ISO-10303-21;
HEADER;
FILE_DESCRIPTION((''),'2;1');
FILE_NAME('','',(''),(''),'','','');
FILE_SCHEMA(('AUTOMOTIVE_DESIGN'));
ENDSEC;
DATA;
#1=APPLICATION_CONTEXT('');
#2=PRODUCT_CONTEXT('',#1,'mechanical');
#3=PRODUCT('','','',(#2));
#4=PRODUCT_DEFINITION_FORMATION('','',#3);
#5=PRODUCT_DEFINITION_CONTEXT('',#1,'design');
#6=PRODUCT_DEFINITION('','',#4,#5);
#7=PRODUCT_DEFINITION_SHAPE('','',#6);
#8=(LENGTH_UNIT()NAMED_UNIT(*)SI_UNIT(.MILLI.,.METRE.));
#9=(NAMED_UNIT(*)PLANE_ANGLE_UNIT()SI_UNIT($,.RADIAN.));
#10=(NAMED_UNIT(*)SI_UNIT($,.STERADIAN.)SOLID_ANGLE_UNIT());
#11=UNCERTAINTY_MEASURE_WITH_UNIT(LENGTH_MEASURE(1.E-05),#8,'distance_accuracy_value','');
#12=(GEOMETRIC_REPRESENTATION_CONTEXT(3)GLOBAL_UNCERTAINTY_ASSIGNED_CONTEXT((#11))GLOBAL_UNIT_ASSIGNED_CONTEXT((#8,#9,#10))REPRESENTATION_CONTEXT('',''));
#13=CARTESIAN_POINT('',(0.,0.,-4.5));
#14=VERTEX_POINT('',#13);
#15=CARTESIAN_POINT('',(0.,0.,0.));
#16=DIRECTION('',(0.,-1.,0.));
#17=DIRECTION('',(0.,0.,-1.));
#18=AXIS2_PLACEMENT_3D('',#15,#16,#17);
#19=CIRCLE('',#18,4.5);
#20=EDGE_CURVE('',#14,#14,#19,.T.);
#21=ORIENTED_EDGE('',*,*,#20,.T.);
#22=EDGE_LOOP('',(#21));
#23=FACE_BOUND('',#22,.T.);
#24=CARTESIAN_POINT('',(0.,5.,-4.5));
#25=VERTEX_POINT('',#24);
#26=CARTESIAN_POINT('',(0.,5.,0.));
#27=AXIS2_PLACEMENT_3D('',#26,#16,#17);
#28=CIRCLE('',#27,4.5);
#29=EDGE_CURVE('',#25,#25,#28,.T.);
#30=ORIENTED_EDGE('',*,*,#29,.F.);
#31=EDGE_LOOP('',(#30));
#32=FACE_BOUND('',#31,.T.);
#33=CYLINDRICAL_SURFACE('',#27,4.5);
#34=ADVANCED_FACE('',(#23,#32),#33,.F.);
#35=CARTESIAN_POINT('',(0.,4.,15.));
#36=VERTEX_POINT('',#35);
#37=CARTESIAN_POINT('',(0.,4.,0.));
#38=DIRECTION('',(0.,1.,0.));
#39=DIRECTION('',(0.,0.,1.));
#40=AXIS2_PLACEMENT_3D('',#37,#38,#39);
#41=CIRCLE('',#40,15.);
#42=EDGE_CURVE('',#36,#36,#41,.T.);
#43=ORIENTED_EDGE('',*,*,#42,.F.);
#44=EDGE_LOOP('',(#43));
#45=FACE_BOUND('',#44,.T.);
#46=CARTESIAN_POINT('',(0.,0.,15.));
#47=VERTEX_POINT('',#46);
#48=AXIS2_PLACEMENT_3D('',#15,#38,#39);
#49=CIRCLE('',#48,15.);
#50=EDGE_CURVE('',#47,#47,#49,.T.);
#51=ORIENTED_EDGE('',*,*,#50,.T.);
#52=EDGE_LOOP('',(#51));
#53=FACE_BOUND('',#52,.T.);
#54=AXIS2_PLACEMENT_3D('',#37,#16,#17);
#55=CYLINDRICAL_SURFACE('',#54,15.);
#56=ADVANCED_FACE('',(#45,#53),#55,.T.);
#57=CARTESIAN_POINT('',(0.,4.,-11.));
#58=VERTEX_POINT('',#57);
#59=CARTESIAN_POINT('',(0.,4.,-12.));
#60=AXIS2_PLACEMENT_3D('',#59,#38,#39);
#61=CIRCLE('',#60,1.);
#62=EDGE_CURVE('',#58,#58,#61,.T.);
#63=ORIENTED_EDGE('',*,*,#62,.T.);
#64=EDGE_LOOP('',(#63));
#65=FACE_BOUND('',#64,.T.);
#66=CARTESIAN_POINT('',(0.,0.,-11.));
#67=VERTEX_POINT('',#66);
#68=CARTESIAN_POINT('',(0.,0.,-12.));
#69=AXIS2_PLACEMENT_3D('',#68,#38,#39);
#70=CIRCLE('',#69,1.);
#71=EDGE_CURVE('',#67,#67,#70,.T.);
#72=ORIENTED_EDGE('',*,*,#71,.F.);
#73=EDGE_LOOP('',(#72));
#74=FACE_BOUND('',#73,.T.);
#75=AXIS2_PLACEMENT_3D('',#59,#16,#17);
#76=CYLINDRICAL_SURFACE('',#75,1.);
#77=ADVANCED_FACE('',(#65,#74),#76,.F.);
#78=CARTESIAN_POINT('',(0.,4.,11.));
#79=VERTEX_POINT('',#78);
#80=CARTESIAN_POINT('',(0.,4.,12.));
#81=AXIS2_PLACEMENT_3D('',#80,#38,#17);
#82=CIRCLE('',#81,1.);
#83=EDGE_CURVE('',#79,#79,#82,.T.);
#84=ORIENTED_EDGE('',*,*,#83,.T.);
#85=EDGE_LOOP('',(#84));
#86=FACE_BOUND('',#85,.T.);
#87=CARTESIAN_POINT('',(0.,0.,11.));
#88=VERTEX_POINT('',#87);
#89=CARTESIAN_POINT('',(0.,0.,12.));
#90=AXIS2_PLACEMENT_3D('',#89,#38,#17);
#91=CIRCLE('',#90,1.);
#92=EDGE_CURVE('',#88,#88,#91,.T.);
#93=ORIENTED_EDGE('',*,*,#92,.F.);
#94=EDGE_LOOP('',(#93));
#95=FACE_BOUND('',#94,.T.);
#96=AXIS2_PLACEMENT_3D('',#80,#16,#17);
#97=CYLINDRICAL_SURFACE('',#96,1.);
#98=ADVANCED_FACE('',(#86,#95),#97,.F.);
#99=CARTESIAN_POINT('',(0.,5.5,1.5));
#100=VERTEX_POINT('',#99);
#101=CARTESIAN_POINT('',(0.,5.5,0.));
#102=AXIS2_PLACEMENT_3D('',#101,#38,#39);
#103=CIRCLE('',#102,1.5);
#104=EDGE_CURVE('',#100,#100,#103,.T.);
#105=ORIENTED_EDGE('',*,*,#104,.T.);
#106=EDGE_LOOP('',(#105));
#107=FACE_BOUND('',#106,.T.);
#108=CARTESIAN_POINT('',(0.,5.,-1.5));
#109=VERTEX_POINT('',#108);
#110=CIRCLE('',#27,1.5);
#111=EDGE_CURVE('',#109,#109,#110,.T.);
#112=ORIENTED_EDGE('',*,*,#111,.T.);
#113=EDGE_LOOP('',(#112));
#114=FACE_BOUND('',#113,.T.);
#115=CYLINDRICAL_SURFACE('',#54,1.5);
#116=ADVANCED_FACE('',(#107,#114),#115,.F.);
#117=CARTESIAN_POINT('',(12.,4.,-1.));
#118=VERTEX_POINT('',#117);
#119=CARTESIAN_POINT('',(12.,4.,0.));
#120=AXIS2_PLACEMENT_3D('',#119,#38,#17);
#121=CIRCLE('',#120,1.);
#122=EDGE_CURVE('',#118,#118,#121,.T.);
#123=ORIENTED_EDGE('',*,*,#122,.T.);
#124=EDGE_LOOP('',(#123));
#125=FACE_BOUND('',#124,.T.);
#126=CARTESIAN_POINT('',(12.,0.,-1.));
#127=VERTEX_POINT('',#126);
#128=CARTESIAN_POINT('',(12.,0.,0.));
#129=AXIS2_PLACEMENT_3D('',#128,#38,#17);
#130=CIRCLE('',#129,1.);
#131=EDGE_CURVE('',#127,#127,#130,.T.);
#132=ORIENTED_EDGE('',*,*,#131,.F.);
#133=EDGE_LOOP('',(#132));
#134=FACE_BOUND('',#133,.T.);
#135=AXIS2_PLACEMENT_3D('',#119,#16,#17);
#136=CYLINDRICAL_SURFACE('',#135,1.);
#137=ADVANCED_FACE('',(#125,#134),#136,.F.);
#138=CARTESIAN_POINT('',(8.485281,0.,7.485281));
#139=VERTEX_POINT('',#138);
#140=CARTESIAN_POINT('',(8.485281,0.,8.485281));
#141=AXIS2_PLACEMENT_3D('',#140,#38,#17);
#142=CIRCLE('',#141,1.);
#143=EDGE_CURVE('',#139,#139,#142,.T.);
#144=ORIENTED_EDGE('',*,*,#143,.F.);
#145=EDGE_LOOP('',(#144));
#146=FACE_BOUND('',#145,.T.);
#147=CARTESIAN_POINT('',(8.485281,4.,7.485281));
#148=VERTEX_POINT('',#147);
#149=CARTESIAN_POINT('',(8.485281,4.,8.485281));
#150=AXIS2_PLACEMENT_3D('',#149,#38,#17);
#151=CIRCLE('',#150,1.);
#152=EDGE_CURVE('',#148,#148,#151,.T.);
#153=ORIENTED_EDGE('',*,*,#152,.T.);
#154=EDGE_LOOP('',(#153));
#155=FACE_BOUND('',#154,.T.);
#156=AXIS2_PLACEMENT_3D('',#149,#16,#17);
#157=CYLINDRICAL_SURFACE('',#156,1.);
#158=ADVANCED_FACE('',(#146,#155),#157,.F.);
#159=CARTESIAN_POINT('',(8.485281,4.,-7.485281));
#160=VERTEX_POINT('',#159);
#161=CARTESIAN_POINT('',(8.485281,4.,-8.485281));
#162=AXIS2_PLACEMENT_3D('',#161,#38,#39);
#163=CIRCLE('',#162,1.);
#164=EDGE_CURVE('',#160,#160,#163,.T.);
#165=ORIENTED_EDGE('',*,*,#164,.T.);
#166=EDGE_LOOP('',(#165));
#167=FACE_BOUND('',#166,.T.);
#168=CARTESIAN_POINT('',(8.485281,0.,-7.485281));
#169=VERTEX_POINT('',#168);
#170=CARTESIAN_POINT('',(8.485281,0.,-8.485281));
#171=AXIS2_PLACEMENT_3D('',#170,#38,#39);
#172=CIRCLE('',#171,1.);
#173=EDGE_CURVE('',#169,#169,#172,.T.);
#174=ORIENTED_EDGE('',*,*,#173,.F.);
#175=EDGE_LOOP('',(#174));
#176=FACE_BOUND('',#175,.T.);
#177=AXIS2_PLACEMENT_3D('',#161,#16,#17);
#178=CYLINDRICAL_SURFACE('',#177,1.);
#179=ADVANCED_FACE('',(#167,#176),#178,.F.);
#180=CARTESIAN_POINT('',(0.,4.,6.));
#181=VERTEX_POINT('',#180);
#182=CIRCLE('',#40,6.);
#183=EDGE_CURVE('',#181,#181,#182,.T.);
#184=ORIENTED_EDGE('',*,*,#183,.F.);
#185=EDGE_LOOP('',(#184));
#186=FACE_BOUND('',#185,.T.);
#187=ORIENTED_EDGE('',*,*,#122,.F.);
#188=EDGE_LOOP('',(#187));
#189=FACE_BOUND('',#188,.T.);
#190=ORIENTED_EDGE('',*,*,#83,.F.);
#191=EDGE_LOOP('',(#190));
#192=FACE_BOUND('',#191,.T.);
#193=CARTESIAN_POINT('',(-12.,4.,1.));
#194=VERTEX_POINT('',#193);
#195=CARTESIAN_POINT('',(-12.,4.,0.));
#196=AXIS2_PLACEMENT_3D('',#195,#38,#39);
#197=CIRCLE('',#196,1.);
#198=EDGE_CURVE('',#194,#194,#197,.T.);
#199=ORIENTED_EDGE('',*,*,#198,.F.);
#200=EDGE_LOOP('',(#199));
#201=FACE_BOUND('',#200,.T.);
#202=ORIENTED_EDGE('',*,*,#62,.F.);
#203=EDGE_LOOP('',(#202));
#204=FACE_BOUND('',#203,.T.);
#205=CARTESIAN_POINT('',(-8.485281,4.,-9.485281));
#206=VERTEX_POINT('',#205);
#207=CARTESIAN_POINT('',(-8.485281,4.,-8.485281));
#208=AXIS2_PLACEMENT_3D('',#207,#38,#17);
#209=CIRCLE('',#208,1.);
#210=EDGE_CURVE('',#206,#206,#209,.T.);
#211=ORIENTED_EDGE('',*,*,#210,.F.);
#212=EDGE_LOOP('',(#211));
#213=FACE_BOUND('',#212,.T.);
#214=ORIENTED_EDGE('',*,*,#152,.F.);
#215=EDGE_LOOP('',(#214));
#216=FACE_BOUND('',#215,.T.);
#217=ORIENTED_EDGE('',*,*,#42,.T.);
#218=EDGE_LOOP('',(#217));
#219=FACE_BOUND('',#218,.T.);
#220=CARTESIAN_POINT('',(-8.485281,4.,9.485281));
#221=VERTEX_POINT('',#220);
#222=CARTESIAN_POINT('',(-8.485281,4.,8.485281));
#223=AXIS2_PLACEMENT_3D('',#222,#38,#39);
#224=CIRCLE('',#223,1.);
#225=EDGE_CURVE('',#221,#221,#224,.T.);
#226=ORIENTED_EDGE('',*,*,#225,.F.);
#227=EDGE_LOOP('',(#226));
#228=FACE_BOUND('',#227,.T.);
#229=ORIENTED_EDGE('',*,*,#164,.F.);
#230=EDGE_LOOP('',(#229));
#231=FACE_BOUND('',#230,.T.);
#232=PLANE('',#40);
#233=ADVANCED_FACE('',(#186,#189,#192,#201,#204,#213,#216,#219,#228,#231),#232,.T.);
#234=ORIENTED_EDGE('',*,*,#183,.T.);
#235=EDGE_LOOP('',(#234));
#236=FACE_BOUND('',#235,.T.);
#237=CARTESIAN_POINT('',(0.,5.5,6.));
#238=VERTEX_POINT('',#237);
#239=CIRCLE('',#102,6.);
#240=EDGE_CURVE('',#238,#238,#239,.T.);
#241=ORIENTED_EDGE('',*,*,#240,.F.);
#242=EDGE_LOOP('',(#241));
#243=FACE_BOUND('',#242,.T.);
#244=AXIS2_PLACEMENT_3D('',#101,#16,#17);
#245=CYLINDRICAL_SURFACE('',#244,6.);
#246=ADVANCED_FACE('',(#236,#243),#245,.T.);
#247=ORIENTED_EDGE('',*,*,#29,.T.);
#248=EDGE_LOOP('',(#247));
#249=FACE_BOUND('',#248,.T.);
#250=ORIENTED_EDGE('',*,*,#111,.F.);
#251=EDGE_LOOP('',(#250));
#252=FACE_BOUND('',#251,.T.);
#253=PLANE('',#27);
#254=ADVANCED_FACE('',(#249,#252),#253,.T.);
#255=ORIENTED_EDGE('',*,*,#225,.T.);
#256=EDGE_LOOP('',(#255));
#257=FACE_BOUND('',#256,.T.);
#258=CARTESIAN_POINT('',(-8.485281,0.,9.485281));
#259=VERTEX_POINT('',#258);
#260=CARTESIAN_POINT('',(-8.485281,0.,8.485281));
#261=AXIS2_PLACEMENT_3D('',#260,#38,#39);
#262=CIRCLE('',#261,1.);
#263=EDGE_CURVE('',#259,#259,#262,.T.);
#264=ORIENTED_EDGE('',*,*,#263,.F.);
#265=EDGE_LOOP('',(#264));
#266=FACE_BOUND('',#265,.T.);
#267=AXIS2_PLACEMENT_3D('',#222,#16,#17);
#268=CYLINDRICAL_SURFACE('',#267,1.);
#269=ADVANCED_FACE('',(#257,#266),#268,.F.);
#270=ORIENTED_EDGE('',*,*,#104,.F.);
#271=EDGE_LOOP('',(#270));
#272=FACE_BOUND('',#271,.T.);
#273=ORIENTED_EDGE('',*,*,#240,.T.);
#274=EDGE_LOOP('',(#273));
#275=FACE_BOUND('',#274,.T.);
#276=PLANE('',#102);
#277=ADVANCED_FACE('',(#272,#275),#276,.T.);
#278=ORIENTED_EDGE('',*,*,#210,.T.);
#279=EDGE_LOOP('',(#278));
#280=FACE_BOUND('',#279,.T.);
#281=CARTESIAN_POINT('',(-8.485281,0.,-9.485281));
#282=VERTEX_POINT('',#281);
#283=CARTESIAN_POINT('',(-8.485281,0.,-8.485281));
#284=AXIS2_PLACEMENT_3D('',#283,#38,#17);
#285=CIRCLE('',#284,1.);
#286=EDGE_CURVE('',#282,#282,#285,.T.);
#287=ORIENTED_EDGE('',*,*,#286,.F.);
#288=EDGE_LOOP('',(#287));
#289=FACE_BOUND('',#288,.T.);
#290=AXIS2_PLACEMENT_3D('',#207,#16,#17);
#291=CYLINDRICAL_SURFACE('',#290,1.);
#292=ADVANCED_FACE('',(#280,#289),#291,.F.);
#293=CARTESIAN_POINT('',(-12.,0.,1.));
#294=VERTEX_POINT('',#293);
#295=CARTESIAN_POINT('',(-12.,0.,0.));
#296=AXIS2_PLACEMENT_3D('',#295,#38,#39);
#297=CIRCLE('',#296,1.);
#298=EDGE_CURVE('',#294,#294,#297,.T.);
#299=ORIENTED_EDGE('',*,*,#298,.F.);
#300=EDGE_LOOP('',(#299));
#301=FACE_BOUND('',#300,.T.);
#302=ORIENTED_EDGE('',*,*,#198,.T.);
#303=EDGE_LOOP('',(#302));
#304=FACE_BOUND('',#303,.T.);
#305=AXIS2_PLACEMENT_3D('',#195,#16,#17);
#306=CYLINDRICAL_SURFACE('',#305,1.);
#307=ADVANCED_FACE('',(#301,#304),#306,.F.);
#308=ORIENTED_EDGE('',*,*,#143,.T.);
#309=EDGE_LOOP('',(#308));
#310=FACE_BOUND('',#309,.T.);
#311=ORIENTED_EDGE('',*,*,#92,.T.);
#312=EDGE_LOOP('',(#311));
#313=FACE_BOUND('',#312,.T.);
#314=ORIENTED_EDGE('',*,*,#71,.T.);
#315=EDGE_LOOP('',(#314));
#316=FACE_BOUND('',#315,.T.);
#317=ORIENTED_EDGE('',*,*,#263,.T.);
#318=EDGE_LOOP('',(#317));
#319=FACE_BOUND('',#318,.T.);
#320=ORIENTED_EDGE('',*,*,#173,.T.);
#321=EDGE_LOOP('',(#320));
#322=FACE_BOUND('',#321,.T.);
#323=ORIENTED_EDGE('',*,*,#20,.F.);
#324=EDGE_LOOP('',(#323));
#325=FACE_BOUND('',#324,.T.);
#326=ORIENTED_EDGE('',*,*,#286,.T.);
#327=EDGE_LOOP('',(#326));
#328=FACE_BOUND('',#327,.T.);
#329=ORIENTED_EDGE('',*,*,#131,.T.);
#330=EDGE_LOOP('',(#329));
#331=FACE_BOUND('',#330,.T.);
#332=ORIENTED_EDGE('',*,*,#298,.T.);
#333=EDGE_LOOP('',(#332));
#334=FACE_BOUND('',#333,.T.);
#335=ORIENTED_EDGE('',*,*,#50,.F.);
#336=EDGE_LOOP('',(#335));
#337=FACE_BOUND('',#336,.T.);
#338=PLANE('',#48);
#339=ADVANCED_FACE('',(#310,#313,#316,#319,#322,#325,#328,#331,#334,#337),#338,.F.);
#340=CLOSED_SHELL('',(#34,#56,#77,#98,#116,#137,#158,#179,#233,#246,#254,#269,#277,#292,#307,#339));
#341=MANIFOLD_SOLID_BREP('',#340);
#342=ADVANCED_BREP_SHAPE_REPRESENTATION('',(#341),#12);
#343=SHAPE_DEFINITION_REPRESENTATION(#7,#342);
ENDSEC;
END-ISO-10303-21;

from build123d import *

# Parameters (mm, degrees)
SKETCH_1_R          = 15
SKETCH_1_R_2        = 1
SKETCH_1_R_3        = 1.5
EXTRUDE_1_DEPTH     = 4
SKETCH_2_R          = 6
SKETCH_2_R_2        = 1.5
EXTRUDE_2_DEPTH     = 1.5
SKETCH_3_R          = 4.5
CUT_EXTRUDE_1_DEPTH = 5


with BuildPart() as part:
    # 草图1 → 凸台-拉伸1 (new body)
    with BuildSketch(Plane(origin=(0, 0, 0), x_dir=(1, 0, 0), z_dir=(0, 1, 0))):
        with Locations(Location((0, 0, 0), (0, 0, 270))):
            Circle(SKETCH_1_R)
        with Locations(Location((0, 12, 0), (0, 0, 270))):
            Circle(SKETCH_1_R_2, mode=Mode.SUBTRACT)
        with Locations(Location((8.485281374, 8.485281374, 0), (0, 0, 270))):
            Circle(SKETCH_1_R_2, mode=Mode.SUBTRACT)
        with Locations(Location((8.485281374, -8.485281374, 0), (0, 0, 90))):
            Circle(SKETCH_1_R_2, mode=Mode.SUBTRACT)
        with Locations(Location((0, -12, 0), (0, 0, 90))):
            Circle(SKETCH_1_R_2, mode=Mode.SUBTRACT)
        with Locations(Location((-8.485281374, -8.485281374, 0), (0, 0, 270))):
            Circle(SKETCH_1_R_2, mode=Mode.SUBTRACT)
        with Locations(Location((-8.485281374, 8.485281374, 0), (0, 0, 90))):
            Circle(SKETCH_1_R_2, mode=Mode.SUBTRACT)
        with Locations(Location((-12, 0, 0), (0, 0, 270))):
            Circle(SKETCH_1_R_2, mode=Mode.SUBTRACT)
        with Locations(Location((12, 0, 0), (0, 0, 90))):
            Circle(SKETCH_1_R_2, mode=Mode.SUBTRACT)
        with Locations(Location((0, 0, 0), (0, 0, 270))):
            Circle(SKETCH_1_R_3, mode=Mode.SUBTRACT)
    extrude(amount=EXTRUDE_1_DEPTH)

    # 草图2 → 凸台-拉伸2 (add)
    with BuildSketch(Plane(origin=(0, 4, 0), x_dir=(1, 0, 0), z_dir=(0, 1, 0))):
        with Locations(Location((0, 0, 0), (0, 0, 270))):
            Circle(SKETCH_2_R)
        with Locations(Location((0, 0, 0), (0, 0, 270))):
            Circle(SKETCH_2_R_2, mode=Mode.SUBTRACT)
    extrude(amount=EXTRUDE_2_DEPTH)

    # 草图3 → 切除-拉伸1 (cut)
    with BuildSketch(Plane.XZ):
        with Locations(Location((0, 0, 0), (0, 0, 270))):
            Circle(SKETCH_3_R)
    extrude(amount=-CUT_EXTRUDE_1_DEPTH, mode=Mode.SUBTRACT)


solid = part.part
